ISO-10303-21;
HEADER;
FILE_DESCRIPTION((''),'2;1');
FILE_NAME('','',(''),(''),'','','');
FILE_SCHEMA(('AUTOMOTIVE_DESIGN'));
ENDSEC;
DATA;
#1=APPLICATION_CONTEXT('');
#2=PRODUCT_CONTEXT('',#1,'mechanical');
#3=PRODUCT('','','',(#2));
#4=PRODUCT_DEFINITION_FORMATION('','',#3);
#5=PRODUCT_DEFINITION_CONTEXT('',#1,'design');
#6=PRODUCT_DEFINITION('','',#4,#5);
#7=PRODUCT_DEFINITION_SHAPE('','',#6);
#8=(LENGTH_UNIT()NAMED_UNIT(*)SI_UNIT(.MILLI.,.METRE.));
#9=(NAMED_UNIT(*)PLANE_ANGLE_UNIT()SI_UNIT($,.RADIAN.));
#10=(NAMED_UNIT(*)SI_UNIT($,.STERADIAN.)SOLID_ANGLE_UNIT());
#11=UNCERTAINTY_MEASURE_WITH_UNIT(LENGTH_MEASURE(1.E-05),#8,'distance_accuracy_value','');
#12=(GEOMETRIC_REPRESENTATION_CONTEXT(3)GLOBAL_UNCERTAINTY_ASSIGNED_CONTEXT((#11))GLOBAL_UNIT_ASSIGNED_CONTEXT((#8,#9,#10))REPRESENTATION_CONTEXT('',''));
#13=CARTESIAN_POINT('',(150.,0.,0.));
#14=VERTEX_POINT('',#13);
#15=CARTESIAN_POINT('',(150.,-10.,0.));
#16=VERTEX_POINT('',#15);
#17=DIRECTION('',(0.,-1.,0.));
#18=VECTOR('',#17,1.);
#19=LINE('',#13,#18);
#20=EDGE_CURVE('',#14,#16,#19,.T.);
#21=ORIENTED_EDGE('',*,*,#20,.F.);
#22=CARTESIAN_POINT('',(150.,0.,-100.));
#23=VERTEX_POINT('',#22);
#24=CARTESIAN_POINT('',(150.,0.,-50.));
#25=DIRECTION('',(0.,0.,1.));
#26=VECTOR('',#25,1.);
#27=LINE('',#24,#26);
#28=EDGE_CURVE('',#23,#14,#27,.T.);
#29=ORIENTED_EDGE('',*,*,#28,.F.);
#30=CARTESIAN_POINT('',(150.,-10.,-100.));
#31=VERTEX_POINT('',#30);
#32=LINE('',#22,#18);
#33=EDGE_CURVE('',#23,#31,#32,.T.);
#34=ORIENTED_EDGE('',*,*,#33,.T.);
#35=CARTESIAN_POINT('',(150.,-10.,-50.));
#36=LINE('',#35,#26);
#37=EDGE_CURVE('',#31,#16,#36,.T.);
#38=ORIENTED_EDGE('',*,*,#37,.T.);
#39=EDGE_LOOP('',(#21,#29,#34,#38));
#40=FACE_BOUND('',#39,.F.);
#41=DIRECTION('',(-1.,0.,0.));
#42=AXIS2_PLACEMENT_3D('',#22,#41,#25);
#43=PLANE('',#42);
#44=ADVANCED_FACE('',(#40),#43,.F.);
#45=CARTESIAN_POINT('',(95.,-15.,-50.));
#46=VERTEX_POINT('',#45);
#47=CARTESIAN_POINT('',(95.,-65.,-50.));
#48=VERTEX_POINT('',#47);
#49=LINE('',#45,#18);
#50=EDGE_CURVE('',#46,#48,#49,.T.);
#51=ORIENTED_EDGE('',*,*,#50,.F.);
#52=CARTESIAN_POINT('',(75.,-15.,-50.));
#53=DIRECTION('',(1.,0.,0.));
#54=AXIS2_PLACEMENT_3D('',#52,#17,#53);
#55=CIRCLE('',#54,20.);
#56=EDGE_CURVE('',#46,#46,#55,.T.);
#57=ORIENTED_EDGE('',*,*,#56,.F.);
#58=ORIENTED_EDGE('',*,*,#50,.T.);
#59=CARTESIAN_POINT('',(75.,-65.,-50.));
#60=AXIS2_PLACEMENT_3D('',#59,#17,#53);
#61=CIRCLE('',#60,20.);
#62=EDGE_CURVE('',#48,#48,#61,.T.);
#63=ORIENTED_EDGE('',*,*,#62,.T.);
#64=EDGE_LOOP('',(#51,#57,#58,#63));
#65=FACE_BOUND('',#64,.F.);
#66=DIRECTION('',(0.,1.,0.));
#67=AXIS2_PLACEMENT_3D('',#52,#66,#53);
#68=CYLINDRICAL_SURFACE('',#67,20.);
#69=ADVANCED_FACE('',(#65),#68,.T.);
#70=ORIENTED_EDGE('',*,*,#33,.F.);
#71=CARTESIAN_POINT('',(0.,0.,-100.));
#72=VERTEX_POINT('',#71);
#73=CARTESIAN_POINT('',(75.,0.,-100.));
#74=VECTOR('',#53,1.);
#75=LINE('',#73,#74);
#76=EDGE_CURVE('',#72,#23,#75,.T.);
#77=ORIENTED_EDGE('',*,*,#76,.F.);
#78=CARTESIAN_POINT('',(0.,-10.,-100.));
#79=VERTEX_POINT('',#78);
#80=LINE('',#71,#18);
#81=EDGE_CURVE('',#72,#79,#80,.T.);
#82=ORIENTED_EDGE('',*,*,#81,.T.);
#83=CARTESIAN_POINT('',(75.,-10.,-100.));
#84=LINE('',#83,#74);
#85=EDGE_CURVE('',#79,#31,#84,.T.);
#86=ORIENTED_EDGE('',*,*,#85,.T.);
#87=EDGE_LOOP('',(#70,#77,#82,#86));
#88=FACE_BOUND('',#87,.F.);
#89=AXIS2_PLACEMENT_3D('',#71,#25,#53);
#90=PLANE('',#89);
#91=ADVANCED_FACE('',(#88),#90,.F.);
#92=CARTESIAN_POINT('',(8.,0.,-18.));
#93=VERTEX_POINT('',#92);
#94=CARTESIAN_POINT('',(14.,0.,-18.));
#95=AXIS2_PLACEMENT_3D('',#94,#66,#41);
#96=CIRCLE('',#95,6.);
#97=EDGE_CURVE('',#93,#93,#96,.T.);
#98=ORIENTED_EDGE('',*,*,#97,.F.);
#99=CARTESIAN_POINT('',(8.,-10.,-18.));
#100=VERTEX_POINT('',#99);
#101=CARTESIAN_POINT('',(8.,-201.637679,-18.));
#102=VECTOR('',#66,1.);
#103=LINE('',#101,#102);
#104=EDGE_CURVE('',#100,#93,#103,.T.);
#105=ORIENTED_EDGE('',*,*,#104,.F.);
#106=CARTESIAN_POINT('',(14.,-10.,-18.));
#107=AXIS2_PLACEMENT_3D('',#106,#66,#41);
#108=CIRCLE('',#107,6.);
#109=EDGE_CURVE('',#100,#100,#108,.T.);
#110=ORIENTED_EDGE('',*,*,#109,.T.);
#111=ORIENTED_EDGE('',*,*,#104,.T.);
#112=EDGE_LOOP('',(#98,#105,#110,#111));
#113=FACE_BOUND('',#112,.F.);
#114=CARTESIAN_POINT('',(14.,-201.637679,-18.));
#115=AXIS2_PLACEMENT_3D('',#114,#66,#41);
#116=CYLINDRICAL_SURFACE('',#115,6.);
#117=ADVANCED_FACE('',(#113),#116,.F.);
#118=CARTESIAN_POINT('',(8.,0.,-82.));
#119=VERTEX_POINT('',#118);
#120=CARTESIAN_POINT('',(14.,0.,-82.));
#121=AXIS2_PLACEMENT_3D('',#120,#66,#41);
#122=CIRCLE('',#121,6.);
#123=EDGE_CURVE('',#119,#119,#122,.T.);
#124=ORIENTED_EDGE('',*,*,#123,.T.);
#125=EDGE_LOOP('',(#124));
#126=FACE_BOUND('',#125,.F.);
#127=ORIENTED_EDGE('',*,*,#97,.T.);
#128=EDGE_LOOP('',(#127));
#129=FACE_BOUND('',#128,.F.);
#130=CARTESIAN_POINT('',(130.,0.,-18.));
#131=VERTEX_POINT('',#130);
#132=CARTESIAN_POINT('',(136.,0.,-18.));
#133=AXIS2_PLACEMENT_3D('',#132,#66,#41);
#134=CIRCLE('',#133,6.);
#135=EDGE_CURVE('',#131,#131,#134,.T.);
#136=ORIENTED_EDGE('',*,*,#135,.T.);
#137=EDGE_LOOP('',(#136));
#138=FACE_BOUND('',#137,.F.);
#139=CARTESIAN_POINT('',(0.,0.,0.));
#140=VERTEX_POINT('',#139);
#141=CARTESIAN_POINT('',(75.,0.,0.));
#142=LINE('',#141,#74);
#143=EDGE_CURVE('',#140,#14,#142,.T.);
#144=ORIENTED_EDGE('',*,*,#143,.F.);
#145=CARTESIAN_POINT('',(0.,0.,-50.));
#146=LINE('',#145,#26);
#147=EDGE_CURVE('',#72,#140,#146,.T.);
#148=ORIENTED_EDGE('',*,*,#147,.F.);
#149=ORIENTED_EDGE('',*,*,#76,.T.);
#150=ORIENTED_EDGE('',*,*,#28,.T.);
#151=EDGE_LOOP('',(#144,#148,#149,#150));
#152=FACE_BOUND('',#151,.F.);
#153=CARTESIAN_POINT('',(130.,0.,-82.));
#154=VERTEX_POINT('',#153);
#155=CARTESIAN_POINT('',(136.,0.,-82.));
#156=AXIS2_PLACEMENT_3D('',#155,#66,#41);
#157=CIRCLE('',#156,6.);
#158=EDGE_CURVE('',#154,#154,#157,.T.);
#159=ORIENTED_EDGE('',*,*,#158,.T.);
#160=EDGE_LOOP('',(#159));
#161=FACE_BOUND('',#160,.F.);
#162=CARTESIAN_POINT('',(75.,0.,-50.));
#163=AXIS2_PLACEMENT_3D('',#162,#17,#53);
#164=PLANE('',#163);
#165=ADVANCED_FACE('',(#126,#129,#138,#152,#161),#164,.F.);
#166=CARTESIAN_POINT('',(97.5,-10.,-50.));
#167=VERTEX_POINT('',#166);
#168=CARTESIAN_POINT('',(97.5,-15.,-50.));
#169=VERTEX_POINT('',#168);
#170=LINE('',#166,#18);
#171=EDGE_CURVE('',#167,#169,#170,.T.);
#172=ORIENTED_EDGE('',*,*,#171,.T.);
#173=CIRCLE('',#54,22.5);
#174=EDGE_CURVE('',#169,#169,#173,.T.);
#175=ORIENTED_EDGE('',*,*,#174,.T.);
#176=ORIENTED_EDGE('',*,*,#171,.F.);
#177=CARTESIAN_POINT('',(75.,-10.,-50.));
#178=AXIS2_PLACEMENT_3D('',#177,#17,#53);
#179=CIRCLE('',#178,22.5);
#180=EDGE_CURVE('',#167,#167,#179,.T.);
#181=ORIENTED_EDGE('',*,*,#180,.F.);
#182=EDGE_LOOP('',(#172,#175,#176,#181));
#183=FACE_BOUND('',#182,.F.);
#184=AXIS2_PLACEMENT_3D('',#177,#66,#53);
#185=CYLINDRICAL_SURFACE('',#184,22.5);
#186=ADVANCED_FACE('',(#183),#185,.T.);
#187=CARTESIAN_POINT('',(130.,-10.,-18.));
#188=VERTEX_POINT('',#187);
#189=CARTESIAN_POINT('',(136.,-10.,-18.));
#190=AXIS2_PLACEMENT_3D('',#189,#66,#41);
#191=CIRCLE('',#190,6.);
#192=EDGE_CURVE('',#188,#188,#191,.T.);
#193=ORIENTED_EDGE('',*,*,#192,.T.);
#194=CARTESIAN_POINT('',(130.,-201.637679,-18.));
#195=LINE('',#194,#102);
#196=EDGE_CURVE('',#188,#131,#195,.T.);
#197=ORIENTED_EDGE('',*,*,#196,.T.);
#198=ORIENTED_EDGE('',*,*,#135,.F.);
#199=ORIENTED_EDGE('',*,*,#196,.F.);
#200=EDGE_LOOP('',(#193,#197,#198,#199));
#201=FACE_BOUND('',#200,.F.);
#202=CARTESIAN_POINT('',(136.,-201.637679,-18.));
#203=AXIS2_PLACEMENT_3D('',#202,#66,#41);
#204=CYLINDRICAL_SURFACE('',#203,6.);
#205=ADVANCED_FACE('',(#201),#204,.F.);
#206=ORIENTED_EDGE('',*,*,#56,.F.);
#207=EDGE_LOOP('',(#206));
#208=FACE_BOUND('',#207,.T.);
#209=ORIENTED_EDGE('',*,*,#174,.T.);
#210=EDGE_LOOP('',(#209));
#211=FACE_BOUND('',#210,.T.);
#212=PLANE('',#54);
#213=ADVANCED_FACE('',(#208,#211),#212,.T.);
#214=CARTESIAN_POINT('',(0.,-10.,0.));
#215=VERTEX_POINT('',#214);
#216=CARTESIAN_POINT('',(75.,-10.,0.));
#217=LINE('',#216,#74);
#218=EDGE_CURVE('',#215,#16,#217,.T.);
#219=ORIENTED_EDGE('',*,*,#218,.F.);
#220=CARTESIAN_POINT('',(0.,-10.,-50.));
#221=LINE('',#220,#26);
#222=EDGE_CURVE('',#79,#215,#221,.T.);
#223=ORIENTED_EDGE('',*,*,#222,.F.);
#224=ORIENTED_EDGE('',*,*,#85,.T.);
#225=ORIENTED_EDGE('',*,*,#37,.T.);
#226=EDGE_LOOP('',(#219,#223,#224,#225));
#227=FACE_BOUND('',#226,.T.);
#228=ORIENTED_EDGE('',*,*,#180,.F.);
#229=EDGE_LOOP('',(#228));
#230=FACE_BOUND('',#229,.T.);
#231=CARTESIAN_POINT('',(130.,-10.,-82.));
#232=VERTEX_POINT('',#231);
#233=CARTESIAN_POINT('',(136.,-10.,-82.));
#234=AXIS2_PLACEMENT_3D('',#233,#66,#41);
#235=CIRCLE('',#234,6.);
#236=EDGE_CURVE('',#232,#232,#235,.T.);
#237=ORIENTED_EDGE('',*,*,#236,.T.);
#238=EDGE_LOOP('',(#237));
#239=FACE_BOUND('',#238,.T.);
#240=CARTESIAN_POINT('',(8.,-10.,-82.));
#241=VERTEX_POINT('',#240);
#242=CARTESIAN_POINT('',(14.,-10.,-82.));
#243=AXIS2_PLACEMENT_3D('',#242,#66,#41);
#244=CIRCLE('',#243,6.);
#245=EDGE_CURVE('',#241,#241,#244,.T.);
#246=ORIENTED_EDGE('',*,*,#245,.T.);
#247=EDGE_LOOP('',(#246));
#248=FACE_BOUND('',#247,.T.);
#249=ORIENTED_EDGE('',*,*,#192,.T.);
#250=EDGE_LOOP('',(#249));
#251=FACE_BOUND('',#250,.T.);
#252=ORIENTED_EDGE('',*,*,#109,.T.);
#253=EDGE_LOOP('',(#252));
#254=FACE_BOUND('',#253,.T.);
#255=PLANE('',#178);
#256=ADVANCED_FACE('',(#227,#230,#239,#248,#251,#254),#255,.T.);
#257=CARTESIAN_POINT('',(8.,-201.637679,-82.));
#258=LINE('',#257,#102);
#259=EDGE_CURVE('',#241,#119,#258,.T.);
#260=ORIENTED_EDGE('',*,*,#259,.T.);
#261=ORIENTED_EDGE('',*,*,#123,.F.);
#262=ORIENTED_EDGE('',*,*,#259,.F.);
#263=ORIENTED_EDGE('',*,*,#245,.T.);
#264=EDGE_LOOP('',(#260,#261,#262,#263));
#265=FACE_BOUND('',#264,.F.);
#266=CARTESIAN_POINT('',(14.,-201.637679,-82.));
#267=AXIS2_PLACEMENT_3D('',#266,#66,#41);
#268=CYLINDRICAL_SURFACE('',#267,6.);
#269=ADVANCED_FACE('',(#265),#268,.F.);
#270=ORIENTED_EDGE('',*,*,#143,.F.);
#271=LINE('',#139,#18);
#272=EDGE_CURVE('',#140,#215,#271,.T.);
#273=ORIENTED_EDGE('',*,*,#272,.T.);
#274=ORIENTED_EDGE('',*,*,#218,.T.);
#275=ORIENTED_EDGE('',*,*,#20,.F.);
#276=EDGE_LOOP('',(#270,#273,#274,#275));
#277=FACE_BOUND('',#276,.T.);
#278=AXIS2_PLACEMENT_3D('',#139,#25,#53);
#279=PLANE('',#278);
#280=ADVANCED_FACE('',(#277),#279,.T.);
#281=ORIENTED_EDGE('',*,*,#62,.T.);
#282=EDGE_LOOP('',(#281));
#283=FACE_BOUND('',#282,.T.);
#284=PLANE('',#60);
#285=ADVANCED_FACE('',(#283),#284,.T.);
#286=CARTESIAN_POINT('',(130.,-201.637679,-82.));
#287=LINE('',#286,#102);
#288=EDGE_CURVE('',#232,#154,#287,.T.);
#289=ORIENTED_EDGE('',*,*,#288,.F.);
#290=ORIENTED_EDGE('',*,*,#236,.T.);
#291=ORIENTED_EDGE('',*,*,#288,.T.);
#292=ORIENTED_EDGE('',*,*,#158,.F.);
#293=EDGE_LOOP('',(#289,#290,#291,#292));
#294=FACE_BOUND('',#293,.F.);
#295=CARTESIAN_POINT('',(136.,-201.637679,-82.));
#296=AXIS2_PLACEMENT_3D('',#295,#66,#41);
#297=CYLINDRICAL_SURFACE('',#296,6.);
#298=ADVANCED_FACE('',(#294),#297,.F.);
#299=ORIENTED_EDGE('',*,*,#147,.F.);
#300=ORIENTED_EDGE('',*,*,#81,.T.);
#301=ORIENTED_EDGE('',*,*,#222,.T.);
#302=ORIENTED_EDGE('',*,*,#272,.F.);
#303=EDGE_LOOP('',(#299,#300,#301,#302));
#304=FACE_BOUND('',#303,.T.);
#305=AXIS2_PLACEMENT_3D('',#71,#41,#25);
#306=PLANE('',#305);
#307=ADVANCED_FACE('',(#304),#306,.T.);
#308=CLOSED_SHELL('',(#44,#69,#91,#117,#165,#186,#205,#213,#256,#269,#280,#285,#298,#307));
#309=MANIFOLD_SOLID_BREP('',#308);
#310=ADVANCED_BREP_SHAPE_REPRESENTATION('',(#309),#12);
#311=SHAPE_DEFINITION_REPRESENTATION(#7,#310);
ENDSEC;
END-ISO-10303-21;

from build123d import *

# Parameters (mm, degrees)
F0_W     = 150
F0_H     = 100
F1_DEPTH = 10
F2_R     = 22.5
F3_DEPTH = 5
F4_R     = 20
F5_DEPTH = 50
F8_D     = 12
F9_D     = 12
F11_D    = 12


with BuildPart() as f1:
    # F0 (on Front) → F1 (new body)
    with BuildSketch(Plane.XZ):
        with Locations((75, -50)):
            Rectangle(F0_W, F0_H)
    extrude(amount=F1_DEPTH)

    # F2 (on face) → F3 (join)
    with BuildSketch(Plane.XZ.offset(10)):
        with Locations((75, -50)):
            Circle(F2_R)
    extrude(amount=F3_DEPTH)

    # F4 (on face) → F5 (join)
    with BuildSketch(Plane.XZ.offset(15)):
        with Locations((75, -50)):
            Circle(F4_R)
    extrude(amount=F5_DEPTH)

    # F8 (through all)
    with Locations(Plane.XZ.offset(10)):
        with Locations((136, -18)):
            Hole(F8_D / 2)

    # F9 (through all)
    with Locations(Plane.XZ.offset(10)):
        with Locations((136, -82)):
            Hole(F9_D / 2)

    # F11 (through all)
    with Locations(Plane.XZ.offset(10)):
        with Locations((14, -82), (14, -18)):
            Hole(F11_D / 2)


solid = f1.part
